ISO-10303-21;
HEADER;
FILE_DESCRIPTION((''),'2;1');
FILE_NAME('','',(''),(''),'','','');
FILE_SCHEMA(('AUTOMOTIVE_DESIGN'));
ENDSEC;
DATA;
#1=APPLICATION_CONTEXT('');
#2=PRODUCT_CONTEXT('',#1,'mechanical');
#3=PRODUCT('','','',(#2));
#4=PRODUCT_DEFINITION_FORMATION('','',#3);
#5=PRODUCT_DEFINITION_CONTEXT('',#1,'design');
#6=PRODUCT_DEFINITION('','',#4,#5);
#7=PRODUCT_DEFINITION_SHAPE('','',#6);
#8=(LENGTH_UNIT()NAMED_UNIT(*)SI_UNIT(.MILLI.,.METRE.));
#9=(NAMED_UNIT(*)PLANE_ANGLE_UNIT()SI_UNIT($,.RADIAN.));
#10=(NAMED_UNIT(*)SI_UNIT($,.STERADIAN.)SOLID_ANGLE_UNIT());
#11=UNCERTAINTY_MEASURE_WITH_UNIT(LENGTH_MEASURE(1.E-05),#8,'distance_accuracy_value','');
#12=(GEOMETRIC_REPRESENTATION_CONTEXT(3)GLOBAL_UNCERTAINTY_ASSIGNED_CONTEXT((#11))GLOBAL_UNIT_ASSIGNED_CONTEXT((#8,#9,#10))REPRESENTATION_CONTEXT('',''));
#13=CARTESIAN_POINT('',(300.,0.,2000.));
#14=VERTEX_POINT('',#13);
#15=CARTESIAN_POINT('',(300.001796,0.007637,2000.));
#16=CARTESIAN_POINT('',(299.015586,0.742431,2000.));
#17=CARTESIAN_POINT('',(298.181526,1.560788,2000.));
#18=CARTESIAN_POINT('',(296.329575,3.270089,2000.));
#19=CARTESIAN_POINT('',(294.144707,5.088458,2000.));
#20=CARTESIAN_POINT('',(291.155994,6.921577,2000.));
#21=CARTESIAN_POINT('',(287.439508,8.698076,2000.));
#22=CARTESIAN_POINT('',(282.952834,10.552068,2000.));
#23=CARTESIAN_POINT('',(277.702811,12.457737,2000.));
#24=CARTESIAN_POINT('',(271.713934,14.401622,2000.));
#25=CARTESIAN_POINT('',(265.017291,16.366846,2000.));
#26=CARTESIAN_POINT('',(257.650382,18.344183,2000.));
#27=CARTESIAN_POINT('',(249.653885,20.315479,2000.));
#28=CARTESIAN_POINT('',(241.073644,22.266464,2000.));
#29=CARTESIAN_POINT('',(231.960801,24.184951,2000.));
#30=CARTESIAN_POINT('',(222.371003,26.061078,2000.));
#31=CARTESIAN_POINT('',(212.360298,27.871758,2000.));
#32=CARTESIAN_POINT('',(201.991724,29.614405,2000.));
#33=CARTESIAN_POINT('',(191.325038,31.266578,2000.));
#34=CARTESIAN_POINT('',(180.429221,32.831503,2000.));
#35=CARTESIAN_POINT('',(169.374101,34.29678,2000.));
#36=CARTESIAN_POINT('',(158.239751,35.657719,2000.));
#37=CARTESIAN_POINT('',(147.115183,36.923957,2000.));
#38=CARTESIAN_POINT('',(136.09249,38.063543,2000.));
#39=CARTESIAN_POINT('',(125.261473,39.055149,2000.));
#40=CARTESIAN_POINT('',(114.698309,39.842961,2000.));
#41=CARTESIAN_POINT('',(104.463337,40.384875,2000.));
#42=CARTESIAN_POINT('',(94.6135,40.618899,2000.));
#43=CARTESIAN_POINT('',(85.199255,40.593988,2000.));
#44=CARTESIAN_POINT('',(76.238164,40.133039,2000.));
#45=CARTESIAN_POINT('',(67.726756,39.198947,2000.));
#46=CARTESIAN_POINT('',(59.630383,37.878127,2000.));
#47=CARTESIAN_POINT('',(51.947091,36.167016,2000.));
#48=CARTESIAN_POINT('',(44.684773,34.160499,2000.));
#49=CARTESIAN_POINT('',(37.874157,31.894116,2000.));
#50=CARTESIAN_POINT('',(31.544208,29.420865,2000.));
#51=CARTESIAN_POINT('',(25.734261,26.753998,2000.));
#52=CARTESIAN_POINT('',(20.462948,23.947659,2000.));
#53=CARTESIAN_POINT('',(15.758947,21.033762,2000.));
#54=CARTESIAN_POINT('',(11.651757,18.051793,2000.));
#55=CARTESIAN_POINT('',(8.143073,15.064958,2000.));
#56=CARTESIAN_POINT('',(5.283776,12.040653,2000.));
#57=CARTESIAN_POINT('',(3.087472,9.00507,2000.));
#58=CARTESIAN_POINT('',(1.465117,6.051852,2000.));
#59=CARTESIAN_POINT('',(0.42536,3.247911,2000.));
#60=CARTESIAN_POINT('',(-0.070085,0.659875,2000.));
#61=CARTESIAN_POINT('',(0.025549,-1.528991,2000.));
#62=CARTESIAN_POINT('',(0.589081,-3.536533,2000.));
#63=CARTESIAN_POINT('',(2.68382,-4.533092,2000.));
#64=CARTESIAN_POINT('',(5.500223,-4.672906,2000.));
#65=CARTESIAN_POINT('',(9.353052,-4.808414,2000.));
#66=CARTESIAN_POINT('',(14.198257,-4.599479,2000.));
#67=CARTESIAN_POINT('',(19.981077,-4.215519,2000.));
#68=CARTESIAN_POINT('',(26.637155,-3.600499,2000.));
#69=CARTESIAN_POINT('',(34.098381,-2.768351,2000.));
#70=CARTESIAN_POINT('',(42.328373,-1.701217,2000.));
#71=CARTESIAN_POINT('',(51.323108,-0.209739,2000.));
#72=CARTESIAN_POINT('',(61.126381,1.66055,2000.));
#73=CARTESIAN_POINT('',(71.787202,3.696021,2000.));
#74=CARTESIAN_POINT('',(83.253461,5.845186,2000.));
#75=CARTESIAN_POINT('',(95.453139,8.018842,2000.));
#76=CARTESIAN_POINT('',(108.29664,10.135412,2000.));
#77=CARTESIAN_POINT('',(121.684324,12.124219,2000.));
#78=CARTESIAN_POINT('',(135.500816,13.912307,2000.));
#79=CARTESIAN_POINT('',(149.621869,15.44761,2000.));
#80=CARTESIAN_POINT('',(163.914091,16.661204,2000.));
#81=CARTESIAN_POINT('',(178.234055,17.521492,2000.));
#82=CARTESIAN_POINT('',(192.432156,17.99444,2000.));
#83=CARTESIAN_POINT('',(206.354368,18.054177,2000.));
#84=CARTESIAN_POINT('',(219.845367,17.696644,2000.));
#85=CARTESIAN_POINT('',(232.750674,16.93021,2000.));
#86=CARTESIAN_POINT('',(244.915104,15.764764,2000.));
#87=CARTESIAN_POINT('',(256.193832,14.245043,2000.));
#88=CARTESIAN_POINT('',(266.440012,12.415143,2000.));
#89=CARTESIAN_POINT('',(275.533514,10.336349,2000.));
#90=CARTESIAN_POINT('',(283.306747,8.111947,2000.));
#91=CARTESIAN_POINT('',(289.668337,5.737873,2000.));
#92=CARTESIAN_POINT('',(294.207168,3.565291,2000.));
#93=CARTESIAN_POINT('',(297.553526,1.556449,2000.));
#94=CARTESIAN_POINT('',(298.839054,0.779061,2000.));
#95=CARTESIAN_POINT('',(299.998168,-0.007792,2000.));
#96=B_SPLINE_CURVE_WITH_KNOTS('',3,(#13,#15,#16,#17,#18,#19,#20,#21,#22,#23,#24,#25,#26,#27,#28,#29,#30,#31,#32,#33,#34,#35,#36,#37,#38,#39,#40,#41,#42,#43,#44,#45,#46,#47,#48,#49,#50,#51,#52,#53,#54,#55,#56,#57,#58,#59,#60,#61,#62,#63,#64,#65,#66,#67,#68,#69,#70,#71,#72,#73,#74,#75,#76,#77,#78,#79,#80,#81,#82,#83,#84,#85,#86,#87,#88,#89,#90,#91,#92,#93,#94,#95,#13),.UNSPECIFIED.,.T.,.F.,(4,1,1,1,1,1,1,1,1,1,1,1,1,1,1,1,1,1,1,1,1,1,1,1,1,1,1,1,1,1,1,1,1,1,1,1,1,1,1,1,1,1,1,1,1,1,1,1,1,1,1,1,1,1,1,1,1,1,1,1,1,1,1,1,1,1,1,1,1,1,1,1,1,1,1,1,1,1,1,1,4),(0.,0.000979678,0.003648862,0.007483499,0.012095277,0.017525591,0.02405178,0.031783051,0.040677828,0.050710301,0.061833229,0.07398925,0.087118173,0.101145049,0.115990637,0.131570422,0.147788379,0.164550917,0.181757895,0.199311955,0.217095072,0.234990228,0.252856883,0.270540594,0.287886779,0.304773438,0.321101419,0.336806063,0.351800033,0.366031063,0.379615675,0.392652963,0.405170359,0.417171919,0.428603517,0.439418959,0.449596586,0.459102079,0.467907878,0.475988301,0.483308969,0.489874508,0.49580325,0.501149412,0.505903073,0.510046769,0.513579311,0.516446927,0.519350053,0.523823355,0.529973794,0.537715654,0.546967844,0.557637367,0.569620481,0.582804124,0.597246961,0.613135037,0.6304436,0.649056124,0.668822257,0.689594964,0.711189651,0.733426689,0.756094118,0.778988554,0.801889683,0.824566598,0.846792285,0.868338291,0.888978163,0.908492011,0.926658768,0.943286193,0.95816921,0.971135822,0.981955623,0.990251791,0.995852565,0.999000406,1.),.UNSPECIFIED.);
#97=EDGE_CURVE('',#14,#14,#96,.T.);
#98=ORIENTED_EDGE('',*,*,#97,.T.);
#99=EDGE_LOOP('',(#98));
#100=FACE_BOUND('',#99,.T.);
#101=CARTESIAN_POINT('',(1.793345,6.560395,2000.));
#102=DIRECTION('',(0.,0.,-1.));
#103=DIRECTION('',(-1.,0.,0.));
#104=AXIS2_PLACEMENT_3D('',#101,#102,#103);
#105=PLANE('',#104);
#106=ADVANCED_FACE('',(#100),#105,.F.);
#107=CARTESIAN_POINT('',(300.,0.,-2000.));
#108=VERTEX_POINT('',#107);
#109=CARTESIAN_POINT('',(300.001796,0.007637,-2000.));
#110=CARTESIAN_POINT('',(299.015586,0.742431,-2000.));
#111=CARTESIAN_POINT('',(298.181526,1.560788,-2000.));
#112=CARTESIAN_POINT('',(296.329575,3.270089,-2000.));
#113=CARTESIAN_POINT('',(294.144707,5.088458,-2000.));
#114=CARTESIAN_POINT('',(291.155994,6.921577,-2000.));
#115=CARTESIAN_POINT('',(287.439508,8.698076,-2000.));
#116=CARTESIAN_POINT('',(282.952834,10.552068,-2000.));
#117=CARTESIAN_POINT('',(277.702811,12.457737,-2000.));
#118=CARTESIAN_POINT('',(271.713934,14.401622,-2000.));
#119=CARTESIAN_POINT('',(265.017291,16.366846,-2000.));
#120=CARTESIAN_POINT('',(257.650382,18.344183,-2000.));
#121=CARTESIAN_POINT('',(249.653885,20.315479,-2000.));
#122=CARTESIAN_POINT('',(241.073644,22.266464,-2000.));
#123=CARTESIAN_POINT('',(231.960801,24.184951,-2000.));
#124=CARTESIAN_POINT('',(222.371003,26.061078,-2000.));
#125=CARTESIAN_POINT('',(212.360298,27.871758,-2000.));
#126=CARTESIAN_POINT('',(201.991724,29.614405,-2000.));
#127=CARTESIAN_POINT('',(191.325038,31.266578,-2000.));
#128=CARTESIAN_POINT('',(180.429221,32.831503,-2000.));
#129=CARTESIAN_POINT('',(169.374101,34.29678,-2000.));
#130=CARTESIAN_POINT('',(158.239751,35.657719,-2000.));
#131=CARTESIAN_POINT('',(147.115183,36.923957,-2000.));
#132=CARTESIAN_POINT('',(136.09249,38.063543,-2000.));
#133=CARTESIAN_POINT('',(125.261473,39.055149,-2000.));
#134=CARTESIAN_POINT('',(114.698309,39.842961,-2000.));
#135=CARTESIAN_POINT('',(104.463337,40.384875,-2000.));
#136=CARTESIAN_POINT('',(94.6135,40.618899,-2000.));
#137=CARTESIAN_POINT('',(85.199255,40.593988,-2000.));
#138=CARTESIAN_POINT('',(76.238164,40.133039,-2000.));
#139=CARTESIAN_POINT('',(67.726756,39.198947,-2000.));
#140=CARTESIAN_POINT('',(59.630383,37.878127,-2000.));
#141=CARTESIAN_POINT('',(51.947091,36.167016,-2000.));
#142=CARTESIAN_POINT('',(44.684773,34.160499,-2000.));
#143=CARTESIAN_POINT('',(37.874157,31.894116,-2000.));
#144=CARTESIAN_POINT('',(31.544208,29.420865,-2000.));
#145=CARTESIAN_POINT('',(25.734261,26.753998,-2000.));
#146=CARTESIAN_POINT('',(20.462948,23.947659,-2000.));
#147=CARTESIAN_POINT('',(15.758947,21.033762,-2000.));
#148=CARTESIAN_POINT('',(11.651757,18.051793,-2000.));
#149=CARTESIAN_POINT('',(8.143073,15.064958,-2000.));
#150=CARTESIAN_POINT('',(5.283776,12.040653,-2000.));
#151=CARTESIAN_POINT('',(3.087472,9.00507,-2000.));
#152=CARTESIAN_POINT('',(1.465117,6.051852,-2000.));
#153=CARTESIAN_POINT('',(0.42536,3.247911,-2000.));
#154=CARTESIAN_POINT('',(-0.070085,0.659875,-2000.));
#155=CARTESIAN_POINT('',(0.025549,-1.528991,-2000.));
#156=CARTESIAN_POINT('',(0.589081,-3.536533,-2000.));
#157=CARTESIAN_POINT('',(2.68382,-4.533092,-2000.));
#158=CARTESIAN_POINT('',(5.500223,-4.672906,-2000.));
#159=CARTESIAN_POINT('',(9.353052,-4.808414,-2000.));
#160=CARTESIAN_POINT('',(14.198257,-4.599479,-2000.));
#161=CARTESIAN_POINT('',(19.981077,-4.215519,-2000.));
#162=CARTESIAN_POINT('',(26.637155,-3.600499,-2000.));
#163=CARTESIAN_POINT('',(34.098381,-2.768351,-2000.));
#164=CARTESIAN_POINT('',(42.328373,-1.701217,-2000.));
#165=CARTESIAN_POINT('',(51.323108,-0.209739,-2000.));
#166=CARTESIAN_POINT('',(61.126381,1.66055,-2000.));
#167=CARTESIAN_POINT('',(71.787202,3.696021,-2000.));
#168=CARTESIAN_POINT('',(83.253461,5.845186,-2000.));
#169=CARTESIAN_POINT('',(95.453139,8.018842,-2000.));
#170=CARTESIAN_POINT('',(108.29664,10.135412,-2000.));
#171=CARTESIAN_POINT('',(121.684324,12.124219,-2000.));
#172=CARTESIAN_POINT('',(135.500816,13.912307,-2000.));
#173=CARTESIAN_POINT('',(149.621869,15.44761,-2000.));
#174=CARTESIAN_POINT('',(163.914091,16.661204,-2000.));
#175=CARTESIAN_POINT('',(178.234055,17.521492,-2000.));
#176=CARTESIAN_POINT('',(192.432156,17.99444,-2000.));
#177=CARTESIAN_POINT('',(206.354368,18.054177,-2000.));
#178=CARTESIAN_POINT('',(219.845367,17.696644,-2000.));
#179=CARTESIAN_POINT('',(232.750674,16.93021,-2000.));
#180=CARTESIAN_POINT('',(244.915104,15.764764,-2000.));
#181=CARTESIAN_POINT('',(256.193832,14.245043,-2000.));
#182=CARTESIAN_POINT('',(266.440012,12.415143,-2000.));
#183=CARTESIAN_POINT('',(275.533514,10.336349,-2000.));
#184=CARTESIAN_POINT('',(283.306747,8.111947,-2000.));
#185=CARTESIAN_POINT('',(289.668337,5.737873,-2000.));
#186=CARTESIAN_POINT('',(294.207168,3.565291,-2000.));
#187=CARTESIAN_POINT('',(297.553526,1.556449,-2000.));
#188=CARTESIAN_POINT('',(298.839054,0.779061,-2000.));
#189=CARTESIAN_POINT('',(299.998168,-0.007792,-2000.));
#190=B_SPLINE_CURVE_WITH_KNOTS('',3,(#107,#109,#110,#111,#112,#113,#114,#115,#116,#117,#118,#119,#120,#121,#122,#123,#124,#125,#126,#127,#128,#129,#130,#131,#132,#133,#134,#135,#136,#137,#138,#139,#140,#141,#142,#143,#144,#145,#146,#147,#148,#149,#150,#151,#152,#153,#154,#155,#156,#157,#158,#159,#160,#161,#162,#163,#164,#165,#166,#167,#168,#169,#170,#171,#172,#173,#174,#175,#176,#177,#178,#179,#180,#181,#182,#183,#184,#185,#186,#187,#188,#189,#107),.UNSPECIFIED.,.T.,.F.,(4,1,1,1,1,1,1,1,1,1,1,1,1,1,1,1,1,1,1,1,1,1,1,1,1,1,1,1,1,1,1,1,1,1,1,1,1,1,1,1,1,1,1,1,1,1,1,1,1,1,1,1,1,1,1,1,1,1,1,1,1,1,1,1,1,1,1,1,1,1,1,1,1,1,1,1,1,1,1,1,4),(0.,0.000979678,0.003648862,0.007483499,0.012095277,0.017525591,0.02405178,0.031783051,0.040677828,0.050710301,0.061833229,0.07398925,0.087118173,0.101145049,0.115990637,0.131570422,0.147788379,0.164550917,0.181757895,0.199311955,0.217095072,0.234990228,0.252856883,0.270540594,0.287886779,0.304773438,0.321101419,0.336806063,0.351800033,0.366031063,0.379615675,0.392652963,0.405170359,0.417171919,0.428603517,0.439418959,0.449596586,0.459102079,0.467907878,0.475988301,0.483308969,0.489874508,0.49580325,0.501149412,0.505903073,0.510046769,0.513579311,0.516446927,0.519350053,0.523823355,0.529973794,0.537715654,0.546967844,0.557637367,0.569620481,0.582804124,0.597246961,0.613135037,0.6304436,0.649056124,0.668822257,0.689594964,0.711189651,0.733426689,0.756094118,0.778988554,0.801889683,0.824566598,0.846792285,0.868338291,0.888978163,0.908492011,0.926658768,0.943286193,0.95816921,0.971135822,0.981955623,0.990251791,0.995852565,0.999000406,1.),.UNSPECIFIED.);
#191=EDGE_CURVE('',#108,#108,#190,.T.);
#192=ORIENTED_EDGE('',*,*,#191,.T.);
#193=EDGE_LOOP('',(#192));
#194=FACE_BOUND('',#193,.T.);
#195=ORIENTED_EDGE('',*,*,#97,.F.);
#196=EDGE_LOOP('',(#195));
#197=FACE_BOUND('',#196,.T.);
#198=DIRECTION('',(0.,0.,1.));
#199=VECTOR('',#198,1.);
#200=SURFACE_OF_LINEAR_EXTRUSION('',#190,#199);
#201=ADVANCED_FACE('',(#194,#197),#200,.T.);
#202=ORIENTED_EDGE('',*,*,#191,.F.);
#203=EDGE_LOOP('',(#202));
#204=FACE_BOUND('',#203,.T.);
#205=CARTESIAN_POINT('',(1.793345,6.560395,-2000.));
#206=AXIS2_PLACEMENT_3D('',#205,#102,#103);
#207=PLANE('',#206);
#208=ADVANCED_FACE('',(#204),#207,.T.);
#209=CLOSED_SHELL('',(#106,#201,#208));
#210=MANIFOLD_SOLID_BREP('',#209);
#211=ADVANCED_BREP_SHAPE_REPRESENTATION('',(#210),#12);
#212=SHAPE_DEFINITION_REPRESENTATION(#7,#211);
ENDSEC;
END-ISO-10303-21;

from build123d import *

# Parameters (mm, degrees)
BOSS_EXTRUDE2_DEPTH      = 2000
BOSS_EXTRUDE2_DEPTH_BACK = 2000


with BuildPart() as part:
    # Sketch2 → Boss-Extrude2 (new, two sides: drawn at the far end of the back side and taken through both)
    with BuildSketch(Plane.XY.offset(-BOSS_EXTRUDE2_DEPTH_BACK)):
        with BuildLine():
            add(Edge.make_bspline(
                [(300, 0), (300.001795984, 0.007637159), (299.015585752, 0.742430957), (298.181525628, 1.560788429), (296.329575234, 3.27008917), (294.144706765, 5.08845831), (291.155994363, 6.921576722), (287.439507775, 8.698075698), (282.952833808, 10.552067555), (277.70281147, 12.457737175), (271.713933683, 14.401622415), (265.0172908, 16.36684572), (257.650382156, 18.344183274), (249.653884637, 20.315479342), (241.073644249, 22.266463807), (231.96080134, 24.184950832), (222.371003157, 26.061077929), (212.360297763, 27.871758245), (201.991724454, 29.614404837), (191.325038142, 31.266577781), (180.429220564, 32.831503266), (169.374100906, 34.29678004), (158.239751449, 35.657719296), (147.115182873, 36.923957223), (136.092490036, 38.063543367), (125.26147313, 39.055149078), (114.698308674, 39.842961371), (104.463337343, 40.384875117), (94.613499628, 40.618898721), (85.199254847, 40.593988438), (76.238164208, 40.133039488), (67.72675643, 39.198947205), (59.630383475, 37.878126865), (51.947091278, 36.167015776), (44.6847733, 34.160499335), (37.874157306, 31.894116023), (31.544208217, 29.420865293), (25.73426108, 26.753997916), (20.462948117, 23.94765897), (15.758947004, 21.03376195), (11.651757018, 18.05179269), (8.143072782, 15.064957634), (5.283776381, 12.040653236), (3.087472036, 9.005070035), (1.465117332, 6.051851846), (0.425359658, 3.247911094), (-0.070084924, 0.659874628), (0.025549289, -1.528990788), (0.589081225, -3.53653308), (2.683819667, -4.53309178), (5.500223008, -4.672905827), (9.353052278, -4.808414152), (14.198257, -4.59947875), (19.981076791, -4.215519154), (26.637154902, -3.600499142), (34.09838121, -2.768350622), (42.328372813, -1.701217188), (51.323107837, -0.209739429), (61.126380875, 1.660549504), (71.787201693, 3.696020688), (83.253461068, 5.84518644), (95.453138833, 8.01884175), (108.296640118, 10.135411883), (121.684324146, 12.124219024), (135.500816475, 13.912306573), (149.621869257, 15.447609735), (163.914090851, 16.661203668), (178.234055291, 17.521492124), (192.432155707, 17.994440339), (206.354367624, 18.054177088), (219.845366965, 17.696643536), (232.750673794, 16.930209613), (244.915103624, 15.764764382), (256.193831635, 14.245043325), (266.440012399, 12.415143021), (275.533513985, 10.336349098), (283.306747334, 8.11194699), (289.668337182, 5.737873027), (294.207167782, 3.565291409), (297.553526416, 1.55644947), (298.839053505, 0.779060778), (299.998167504, -0.007792421), (300, 0)],
                knots=[0, 0, 0, 0, 0.000979678, 0.003648862, 0.007483499, 0.012095277, 0.017525591, 0.02405178, 0.031783051, 0.040677828, 0.050710301, 0.061833229, 0.07398925, 0.087118173, 0.101145049, 0.115990637, 0.131570422, 0.147788379, 0.164550917, 0.181757895, 0.199311955, 0.217095072, 0.234990228, 0.252856883, 0.270540594, 0.287886779, 0.304773438, 0.321101419, 0.336806063, 0.351800033, 0.366031063, 0.379615675, 0.392652963, 0.405170359, 0.417171919, 0.428603517, 0.439418959, 0.449596586, 0.459102079, 0.467907878, 0.475988301, 0.483308969, 0.489874508, 0.49580325, 0.501149412, 0.505903073, 0.510046769, 0.513579311, 0.516446927, 0.519350053, 0.523823355, 0.529973794, 0.537715654, 0.546967844, 0.557637367, 0.569620481, 0.582804124, 0.597246961, 0.613135037, 0.6304436, 0.649056124, 0.668822257, 0.689594964, 0.711189651, 0.733426689, 0.756094118, 0.778988554, 0.801889683, 0.824566598, 0.846792285, 0.868338291, 0.888978163, 0.908492011, 0.926658768, 0.943286193, 0.95816921, 0.971135822, 0.981955623, 0.990251791, 0.995852565, 0.999000406, 1, 1, 1, 1], degree=3))
        make_face()
    extrude(amount=BOSS_EXTRUDE2_DEPTH + BOSS_EXTRUDE2_DEPTH_BACK)


solid = part.part
